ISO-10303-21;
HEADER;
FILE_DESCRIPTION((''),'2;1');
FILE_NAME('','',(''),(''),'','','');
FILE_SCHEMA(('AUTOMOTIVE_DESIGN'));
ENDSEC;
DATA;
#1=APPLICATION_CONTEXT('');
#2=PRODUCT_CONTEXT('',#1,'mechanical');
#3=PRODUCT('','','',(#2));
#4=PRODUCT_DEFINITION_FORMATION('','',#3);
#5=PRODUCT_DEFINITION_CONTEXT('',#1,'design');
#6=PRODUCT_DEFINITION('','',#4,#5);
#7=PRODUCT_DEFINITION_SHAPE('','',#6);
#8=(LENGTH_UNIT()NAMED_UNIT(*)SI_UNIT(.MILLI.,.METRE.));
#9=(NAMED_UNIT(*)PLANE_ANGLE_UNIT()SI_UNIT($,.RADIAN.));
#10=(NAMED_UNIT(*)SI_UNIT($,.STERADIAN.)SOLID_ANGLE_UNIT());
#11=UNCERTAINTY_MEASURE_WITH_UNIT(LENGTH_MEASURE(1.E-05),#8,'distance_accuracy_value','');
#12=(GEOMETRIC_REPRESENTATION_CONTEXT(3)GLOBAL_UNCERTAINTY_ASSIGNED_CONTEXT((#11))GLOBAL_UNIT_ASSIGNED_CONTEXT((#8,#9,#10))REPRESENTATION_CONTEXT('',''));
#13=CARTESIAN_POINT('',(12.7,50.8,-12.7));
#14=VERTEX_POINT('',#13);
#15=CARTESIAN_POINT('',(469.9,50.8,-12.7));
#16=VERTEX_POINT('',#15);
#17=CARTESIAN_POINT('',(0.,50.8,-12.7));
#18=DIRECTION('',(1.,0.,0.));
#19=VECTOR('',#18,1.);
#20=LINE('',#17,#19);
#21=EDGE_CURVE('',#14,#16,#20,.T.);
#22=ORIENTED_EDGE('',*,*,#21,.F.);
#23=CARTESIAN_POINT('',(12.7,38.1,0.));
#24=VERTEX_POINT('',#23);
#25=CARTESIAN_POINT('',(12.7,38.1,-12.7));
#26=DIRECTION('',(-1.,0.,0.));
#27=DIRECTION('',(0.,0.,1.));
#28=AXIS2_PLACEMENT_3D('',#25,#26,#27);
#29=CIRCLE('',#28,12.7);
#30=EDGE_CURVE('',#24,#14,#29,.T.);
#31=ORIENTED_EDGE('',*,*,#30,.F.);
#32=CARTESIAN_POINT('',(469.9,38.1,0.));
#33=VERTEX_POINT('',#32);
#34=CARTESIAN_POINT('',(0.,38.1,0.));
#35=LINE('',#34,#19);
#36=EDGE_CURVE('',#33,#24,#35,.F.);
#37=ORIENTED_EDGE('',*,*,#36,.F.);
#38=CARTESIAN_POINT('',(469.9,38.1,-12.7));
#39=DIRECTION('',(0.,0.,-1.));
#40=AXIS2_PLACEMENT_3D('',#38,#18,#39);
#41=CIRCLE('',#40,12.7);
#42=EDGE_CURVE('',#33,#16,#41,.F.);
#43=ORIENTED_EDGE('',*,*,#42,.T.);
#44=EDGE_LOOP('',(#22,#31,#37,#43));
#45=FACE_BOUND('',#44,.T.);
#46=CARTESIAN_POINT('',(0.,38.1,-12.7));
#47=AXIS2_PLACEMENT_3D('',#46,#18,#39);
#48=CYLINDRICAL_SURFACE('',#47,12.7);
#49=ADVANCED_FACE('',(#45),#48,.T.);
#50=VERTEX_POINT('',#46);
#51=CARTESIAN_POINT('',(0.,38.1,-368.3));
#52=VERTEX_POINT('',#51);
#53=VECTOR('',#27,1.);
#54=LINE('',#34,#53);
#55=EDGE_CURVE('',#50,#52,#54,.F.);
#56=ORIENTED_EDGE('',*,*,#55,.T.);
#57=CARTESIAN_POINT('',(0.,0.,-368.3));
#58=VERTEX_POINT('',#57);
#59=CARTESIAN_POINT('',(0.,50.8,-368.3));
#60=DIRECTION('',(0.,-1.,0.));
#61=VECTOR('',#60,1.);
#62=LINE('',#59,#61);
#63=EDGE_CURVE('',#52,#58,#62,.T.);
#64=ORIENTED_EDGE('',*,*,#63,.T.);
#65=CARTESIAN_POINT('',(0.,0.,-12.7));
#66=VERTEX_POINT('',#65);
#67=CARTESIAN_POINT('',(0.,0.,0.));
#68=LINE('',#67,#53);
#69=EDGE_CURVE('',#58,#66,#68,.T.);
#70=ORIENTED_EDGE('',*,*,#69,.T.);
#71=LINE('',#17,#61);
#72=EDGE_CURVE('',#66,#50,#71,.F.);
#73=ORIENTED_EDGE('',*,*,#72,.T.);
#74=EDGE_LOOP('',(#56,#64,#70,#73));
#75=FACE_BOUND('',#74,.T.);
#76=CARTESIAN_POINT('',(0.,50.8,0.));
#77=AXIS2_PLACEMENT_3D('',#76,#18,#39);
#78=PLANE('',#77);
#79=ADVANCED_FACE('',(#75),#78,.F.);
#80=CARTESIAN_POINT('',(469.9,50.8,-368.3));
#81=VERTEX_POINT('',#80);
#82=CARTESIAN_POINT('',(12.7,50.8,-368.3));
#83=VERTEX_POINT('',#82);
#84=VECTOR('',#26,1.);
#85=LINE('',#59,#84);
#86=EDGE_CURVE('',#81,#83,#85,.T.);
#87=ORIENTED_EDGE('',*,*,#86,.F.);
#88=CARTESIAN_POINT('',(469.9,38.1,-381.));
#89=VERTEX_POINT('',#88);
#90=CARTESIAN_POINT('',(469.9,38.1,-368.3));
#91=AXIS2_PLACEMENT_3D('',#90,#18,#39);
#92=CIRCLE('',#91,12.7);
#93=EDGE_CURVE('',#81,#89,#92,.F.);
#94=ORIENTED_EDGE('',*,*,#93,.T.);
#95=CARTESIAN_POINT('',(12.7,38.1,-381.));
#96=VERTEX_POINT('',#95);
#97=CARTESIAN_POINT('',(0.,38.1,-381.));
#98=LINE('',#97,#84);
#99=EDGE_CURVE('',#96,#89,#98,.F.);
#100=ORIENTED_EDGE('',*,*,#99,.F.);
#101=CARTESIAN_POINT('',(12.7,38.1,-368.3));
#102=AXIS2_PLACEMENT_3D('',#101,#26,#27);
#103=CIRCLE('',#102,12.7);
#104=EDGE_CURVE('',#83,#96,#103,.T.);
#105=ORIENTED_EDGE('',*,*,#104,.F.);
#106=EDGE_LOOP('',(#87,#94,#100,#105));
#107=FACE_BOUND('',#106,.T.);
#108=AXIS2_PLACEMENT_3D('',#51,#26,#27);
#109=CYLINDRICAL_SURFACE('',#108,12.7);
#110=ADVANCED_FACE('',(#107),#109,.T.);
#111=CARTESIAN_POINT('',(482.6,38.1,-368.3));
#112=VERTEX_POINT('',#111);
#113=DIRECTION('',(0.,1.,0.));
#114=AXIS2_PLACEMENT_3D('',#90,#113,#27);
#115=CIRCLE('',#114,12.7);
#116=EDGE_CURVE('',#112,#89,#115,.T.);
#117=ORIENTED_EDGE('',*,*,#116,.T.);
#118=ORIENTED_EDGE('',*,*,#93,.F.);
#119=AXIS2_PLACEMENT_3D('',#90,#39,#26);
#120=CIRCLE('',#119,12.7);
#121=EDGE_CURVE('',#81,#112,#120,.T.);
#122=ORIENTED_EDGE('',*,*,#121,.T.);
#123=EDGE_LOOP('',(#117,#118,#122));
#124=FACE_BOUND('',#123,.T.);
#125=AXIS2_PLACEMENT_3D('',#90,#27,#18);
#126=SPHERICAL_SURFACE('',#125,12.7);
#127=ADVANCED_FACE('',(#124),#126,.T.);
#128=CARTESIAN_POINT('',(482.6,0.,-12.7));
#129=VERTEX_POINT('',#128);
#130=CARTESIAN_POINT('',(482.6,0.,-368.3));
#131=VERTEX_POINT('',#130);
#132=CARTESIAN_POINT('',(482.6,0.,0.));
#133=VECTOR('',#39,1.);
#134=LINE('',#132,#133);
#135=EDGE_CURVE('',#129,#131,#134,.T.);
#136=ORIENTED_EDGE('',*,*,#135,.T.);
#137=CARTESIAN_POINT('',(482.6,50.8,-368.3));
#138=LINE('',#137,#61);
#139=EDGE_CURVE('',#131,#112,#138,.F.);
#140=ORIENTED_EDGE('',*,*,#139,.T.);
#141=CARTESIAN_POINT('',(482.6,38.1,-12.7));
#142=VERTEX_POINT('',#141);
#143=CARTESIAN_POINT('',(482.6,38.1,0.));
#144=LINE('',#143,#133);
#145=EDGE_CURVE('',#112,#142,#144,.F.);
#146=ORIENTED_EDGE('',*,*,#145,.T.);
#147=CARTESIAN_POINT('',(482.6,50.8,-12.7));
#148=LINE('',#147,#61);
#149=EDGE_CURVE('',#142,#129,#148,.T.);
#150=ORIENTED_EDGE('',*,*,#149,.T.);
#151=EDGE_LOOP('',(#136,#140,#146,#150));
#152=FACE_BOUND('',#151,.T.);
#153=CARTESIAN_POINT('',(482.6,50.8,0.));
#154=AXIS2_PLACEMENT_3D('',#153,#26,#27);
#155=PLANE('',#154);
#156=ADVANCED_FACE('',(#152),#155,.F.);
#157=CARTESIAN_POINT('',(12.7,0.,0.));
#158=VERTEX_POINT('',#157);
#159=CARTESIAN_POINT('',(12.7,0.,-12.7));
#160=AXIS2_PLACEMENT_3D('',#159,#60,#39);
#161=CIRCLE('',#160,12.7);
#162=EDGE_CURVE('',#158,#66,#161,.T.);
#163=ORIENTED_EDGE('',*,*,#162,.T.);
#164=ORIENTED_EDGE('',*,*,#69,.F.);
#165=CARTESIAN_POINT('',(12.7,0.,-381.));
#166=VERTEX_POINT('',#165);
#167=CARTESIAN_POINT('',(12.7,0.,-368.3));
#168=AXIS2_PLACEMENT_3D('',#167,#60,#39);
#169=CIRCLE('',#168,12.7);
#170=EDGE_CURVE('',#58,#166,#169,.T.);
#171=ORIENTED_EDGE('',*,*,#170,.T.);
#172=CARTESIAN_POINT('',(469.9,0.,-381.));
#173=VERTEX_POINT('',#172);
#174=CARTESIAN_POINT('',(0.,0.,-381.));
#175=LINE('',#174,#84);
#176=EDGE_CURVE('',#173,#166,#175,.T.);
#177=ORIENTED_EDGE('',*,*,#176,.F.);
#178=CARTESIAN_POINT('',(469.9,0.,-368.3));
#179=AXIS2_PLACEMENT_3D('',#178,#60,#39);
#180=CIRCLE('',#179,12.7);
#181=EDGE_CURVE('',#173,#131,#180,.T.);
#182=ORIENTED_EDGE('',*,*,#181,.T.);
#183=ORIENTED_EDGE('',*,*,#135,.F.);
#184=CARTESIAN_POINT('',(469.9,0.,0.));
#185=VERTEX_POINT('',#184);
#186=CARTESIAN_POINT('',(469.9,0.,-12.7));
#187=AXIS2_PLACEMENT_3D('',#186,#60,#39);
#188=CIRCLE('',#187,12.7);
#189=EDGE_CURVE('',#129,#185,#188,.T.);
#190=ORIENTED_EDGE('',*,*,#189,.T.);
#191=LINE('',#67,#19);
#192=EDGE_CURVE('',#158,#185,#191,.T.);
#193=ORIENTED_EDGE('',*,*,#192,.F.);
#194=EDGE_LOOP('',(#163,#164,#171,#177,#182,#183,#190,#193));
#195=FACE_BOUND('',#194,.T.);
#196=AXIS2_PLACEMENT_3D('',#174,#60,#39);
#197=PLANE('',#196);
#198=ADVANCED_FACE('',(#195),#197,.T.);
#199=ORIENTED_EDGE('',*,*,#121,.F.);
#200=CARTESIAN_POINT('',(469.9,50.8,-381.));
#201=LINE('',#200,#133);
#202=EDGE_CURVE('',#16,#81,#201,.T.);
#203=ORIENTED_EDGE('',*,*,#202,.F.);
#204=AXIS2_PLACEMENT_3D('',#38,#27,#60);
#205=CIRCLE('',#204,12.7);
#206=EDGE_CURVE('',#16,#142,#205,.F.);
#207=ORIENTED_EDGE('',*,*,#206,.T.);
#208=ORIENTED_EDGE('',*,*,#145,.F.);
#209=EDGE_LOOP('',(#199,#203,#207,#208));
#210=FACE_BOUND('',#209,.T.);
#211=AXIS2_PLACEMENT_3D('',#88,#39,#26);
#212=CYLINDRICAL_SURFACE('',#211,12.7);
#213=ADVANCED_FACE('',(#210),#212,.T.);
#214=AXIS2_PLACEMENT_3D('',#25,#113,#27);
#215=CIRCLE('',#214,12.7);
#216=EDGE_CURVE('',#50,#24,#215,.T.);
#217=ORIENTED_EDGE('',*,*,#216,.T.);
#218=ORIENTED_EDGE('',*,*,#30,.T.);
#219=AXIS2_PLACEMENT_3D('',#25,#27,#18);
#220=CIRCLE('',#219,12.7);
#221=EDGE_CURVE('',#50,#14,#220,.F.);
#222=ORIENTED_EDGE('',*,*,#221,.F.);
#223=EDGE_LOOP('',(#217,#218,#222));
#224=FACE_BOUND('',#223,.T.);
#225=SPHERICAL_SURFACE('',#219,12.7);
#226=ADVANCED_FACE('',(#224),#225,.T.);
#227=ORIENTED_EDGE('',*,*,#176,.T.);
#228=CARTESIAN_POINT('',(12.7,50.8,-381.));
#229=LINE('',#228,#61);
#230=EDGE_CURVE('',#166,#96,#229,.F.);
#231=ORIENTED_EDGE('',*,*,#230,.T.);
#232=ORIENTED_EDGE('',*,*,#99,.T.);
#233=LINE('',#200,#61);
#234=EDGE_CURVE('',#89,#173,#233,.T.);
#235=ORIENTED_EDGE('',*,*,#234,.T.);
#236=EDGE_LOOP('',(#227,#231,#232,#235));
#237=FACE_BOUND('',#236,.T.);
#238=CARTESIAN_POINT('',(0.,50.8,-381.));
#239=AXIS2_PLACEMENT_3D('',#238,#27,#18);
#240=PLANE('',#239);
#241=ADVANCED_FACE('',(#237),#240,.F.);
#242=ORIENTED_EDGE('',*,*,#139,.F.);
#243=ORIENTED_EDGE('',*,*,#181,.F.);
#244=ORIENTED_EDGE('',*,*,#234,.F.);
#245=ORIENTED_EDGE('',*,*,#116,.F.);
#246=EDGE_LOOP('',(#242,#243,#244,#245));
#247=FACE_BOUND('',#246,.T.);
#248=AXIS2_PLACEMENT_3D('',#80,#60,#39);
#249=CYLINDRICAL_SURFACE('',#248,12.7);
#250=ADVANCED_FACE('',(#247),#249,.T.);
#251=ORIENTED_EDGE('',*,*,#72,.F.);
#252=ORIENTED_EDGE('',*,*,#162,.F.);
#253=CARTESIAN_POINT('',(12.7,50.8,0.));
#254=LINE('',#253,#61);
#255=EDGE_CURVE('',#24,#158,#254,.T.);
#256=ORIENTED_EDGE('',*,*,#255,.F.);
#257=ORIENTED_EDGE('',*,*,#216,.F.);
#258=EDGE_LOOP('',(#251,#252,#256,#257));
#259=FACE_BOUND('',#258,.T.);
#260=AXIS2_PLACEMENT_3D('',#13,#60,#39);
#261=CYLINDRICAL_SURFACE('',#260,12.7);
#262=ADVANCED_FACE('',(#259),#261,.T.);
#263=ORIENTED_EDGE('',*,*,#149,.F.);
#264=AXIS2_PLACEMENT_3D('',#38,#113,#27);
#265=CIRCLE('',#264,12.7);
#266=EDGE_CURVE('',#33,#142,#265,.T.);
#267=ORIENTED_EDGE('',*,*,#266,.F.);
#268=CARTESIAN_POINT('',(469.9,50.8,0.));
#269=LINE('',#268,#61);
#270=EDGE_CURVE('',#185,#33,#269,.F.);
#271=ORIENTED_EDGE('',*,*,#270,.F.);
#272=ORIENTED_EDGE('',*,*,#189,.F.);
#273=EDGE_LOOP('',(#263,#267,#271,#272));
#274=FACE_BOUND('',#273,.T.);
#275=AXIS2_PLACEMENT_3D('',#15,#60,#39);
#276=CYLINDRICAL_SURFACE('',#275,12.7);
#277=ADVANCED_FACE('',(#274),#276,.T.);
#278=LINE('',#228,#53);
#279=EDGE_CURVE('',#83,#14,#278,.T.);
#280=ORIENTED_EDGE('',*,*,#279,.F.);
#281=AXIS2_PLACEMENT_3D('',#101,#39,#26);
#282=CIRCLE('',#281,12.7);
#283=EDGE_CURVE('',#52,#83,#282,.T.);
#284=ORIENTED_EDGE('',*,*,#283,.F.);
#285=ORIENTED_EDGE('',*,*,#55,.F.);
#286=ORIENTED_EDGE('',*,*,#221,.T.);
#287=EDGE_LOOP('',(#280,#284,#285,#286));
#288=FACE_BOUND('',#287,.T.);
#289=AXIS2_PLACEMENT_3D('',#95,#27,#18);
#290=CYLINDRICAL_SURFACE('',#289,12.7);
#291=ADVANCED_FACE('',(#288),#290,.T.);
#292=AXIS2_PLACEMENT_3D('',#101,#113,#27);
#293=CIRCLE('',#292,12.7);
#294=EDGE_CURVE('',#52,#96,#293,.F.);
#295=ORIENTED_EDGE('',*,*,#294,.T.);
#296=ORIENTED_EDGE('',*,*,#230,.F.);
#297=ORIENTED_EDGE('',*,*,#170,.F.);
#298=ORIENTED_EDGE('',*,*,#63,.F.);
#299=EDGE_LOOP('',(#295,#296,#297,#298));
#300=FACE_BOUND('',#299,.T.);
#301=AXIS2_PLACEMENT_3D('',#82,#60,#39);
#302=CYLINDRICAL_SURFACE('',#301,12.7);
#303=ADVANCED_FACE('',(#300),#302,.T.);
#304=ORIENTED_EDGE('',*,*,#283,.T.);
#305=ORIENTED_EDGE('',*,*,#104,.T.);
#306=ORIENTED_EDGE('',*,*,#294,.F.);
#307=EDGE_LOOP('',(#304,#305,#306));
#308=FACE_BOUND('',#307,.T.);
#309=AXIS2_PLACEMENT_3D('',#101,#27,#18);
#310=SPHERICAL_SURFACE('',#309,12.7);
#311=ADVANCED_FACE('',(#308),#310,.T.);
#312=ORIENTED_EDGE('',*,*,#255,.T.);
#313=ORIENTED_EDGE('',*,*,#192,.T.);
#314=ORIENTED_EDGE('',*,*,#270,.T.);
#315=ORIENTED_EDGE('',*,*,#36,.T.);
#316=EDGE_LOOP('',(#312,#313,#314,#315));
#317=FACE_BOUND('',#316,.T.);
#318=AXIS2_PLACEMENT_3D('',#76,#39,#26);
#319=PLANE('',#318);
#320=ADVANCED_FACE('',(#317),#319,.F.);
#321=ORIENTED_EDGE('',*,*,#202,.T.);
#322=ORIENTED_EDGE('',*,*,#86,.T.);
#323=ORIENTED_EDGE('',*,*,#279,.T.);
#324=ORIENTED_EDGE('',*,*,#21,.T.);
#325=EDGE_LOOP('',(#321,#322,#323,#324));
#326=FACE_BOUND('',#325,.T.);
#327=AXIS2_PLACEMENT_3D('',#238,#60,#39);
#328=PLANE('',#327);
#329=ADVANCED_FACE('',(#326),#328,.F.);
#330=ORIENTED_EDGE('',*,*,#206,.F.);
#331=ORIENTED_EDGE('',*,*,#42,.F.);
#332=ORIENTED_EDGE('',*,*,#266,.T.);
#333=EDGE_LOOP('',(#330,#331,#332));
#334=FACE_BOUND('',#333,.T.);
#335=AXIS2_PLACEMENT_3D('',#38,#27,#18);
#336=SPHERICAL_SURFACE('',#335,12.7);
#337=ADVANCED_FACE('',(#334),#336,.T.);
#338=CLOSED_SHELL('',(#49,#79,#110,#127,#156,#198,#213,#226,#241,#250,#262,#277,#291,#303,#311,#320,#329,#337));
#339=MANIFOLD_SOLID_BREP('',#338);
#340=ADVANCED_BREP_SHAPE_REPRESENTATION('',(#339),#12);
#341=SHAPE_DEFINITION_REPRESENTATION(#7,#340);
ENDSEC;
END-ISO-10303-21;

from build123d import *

# Parameters (mm, degrees)
SKETCH1_W           = 482.6
SKETCH1_H           = 381
BOSS_EXTRUDE1_DEPTH = 50.8
FILLET1_R           = 12.7


with BuildPart() as part:
    # Sketch1 → Boss-Extrude1 (new body)
    with BuildSketch(Plane(origin=(0, 0, 0), x_dir=(1, 0, 0), z_dir=(0, 1, 0))):
        with Locations((241.3, 190.5)):
            Rectangle(SKETCH1_W, SKETCH1_H)
    extrude(amount=BOSS_EXTRUDE1_DEPTH)

    # Fillet1
    fillet1_edges = [part.edges().sort_by_distance(p)[0] for p in [
        (482.6, 50.8, -190.5),
        (241.3, 50.8, -381),
        (0, 50.8, -190.5),
        (241.3, 50.8, 0),
        (0, 25.4, -381),
        (482.6, 25.4, -381),
        (482.6, 25.4, 0),
        (0, 25.4, 0),
    ]]
    fillet(fillet1_edges, radius=FILLET1_R)


solid = part.part
